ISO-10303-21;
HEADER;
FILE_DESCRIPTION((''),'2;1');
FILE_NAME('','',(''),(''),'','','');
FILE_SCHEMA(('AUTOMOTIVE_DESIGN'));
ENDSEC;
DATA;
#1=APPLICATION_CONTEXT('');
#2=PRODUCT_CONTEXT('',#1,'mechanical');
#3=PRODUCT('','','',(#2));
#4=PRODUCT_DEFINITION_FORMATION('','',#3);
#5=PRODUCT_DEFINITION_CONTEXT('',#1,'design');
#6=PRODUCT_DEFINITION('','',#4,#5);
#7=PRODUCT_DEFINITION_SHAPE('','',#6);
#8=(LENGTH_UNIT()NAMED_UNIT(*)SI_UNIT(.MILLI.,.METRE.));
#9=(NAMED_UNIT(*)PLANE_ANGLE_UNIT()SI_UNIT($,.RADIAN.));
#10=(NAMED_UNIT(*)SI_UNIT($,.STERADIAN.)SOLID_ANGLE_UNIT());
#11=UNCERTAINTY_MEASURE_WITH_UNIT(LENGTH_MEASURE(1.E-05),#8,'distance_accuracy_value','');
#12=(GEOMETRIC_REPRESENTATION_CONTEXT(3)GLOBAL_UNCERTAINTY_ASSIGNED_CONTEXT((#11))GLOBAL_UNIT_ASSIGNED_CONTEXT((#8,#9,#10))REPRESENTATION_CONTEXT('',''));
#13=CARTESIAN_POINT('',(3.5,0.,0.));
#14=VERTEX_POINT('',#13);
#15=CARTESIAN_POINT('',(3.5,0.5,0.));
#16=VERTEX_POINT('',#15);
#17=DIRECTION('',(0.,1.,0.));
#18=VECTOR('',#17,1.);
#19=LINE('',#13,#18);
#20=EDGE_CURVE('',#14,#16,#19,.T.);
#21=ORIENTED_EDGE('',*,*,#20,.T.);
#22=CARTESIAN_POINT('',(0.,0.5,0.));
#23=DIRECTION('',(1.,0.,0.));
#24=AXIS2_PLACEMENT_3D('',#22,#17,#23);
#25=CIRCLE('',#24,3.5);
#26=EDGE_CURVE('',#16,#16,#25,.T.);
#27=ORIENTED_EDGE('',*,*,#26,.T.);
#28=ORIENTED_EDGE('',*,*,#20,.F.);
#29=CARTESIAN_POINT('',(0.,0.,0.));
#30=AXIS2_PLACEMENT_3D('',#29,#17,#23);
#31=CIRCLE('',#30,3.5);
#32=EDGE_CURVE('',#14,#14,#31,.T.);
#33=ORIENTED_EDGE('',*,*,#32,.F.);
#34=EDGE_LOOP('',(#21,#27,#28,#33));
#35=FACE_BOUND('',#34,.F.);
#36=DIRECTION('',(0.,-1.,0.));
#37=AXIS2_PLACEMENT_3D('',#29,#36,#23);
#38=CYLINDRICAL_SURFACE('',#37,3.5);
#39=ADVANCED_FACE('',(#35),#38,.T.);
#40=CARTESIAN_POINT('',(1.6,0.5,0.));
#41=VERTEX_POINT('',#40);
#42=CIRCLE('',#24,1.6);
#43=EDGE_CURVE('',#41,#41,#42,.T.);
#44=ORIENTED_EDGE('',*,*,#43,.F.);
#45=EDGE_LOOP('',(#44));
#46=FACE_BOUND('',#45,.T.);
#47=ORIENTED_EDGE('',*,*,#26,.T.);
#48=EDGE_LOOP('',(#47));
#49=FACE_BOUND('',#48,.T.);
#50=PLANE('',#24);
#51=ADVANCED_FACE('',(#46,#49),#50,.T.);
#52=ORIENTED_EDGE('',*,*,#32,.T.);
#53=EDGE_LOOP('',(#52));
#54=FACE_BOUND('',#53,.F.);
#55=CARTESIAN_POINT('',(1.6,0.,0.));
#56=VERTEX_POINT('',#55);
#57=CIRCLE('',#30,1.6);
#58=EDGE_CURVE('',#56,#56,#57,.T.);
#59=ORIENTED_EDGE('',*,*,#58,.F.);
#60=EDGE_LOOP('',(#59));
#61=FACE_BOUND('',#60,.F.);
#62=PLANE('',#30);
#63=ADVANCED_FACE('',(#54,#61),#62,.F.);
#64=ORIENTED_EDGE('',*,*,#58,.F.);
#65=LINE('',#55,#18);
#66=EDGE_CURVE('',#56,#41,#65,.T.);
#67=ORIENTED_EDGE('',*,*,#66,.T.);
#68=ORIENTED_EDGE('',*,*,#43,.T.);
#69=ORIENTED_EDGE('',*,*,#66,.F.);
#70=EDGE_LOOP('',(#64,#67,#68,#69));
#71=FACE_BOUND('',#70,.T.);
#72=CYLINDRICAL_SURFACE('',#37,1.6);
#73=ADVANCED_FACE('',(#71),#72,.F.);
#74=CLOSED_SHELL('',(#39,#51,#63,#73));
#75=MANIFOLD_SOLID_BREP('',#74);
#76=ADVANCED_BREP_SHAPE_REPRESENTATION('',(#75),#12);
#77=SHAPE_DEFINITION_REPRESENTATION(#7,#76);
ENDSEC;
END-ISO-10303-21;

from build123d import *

# Parameters (mm, degrees)
ESQUISSE1_R        = 3.5
ESQUISSE1_R_2      = 1.6
BOSS_EXTRU_1_DEPTH = 0.5


with BuildPart() as part:
    # Esquisse1 → Boss.-Extru.1 (new body)
    with BuildSketch(Plane(origin=(0, 0, 0), x_dir=(1, 0, 0), z_dir=(0, 1, 0))):
        Circle(ESQUISSE1_R)
        Circle(ESQUISSE1_R_2, mode=Mode.SUBTRACT)
    extrude(amount=BOSS_EXTRU_1_DEPTH)


solid = part.part
